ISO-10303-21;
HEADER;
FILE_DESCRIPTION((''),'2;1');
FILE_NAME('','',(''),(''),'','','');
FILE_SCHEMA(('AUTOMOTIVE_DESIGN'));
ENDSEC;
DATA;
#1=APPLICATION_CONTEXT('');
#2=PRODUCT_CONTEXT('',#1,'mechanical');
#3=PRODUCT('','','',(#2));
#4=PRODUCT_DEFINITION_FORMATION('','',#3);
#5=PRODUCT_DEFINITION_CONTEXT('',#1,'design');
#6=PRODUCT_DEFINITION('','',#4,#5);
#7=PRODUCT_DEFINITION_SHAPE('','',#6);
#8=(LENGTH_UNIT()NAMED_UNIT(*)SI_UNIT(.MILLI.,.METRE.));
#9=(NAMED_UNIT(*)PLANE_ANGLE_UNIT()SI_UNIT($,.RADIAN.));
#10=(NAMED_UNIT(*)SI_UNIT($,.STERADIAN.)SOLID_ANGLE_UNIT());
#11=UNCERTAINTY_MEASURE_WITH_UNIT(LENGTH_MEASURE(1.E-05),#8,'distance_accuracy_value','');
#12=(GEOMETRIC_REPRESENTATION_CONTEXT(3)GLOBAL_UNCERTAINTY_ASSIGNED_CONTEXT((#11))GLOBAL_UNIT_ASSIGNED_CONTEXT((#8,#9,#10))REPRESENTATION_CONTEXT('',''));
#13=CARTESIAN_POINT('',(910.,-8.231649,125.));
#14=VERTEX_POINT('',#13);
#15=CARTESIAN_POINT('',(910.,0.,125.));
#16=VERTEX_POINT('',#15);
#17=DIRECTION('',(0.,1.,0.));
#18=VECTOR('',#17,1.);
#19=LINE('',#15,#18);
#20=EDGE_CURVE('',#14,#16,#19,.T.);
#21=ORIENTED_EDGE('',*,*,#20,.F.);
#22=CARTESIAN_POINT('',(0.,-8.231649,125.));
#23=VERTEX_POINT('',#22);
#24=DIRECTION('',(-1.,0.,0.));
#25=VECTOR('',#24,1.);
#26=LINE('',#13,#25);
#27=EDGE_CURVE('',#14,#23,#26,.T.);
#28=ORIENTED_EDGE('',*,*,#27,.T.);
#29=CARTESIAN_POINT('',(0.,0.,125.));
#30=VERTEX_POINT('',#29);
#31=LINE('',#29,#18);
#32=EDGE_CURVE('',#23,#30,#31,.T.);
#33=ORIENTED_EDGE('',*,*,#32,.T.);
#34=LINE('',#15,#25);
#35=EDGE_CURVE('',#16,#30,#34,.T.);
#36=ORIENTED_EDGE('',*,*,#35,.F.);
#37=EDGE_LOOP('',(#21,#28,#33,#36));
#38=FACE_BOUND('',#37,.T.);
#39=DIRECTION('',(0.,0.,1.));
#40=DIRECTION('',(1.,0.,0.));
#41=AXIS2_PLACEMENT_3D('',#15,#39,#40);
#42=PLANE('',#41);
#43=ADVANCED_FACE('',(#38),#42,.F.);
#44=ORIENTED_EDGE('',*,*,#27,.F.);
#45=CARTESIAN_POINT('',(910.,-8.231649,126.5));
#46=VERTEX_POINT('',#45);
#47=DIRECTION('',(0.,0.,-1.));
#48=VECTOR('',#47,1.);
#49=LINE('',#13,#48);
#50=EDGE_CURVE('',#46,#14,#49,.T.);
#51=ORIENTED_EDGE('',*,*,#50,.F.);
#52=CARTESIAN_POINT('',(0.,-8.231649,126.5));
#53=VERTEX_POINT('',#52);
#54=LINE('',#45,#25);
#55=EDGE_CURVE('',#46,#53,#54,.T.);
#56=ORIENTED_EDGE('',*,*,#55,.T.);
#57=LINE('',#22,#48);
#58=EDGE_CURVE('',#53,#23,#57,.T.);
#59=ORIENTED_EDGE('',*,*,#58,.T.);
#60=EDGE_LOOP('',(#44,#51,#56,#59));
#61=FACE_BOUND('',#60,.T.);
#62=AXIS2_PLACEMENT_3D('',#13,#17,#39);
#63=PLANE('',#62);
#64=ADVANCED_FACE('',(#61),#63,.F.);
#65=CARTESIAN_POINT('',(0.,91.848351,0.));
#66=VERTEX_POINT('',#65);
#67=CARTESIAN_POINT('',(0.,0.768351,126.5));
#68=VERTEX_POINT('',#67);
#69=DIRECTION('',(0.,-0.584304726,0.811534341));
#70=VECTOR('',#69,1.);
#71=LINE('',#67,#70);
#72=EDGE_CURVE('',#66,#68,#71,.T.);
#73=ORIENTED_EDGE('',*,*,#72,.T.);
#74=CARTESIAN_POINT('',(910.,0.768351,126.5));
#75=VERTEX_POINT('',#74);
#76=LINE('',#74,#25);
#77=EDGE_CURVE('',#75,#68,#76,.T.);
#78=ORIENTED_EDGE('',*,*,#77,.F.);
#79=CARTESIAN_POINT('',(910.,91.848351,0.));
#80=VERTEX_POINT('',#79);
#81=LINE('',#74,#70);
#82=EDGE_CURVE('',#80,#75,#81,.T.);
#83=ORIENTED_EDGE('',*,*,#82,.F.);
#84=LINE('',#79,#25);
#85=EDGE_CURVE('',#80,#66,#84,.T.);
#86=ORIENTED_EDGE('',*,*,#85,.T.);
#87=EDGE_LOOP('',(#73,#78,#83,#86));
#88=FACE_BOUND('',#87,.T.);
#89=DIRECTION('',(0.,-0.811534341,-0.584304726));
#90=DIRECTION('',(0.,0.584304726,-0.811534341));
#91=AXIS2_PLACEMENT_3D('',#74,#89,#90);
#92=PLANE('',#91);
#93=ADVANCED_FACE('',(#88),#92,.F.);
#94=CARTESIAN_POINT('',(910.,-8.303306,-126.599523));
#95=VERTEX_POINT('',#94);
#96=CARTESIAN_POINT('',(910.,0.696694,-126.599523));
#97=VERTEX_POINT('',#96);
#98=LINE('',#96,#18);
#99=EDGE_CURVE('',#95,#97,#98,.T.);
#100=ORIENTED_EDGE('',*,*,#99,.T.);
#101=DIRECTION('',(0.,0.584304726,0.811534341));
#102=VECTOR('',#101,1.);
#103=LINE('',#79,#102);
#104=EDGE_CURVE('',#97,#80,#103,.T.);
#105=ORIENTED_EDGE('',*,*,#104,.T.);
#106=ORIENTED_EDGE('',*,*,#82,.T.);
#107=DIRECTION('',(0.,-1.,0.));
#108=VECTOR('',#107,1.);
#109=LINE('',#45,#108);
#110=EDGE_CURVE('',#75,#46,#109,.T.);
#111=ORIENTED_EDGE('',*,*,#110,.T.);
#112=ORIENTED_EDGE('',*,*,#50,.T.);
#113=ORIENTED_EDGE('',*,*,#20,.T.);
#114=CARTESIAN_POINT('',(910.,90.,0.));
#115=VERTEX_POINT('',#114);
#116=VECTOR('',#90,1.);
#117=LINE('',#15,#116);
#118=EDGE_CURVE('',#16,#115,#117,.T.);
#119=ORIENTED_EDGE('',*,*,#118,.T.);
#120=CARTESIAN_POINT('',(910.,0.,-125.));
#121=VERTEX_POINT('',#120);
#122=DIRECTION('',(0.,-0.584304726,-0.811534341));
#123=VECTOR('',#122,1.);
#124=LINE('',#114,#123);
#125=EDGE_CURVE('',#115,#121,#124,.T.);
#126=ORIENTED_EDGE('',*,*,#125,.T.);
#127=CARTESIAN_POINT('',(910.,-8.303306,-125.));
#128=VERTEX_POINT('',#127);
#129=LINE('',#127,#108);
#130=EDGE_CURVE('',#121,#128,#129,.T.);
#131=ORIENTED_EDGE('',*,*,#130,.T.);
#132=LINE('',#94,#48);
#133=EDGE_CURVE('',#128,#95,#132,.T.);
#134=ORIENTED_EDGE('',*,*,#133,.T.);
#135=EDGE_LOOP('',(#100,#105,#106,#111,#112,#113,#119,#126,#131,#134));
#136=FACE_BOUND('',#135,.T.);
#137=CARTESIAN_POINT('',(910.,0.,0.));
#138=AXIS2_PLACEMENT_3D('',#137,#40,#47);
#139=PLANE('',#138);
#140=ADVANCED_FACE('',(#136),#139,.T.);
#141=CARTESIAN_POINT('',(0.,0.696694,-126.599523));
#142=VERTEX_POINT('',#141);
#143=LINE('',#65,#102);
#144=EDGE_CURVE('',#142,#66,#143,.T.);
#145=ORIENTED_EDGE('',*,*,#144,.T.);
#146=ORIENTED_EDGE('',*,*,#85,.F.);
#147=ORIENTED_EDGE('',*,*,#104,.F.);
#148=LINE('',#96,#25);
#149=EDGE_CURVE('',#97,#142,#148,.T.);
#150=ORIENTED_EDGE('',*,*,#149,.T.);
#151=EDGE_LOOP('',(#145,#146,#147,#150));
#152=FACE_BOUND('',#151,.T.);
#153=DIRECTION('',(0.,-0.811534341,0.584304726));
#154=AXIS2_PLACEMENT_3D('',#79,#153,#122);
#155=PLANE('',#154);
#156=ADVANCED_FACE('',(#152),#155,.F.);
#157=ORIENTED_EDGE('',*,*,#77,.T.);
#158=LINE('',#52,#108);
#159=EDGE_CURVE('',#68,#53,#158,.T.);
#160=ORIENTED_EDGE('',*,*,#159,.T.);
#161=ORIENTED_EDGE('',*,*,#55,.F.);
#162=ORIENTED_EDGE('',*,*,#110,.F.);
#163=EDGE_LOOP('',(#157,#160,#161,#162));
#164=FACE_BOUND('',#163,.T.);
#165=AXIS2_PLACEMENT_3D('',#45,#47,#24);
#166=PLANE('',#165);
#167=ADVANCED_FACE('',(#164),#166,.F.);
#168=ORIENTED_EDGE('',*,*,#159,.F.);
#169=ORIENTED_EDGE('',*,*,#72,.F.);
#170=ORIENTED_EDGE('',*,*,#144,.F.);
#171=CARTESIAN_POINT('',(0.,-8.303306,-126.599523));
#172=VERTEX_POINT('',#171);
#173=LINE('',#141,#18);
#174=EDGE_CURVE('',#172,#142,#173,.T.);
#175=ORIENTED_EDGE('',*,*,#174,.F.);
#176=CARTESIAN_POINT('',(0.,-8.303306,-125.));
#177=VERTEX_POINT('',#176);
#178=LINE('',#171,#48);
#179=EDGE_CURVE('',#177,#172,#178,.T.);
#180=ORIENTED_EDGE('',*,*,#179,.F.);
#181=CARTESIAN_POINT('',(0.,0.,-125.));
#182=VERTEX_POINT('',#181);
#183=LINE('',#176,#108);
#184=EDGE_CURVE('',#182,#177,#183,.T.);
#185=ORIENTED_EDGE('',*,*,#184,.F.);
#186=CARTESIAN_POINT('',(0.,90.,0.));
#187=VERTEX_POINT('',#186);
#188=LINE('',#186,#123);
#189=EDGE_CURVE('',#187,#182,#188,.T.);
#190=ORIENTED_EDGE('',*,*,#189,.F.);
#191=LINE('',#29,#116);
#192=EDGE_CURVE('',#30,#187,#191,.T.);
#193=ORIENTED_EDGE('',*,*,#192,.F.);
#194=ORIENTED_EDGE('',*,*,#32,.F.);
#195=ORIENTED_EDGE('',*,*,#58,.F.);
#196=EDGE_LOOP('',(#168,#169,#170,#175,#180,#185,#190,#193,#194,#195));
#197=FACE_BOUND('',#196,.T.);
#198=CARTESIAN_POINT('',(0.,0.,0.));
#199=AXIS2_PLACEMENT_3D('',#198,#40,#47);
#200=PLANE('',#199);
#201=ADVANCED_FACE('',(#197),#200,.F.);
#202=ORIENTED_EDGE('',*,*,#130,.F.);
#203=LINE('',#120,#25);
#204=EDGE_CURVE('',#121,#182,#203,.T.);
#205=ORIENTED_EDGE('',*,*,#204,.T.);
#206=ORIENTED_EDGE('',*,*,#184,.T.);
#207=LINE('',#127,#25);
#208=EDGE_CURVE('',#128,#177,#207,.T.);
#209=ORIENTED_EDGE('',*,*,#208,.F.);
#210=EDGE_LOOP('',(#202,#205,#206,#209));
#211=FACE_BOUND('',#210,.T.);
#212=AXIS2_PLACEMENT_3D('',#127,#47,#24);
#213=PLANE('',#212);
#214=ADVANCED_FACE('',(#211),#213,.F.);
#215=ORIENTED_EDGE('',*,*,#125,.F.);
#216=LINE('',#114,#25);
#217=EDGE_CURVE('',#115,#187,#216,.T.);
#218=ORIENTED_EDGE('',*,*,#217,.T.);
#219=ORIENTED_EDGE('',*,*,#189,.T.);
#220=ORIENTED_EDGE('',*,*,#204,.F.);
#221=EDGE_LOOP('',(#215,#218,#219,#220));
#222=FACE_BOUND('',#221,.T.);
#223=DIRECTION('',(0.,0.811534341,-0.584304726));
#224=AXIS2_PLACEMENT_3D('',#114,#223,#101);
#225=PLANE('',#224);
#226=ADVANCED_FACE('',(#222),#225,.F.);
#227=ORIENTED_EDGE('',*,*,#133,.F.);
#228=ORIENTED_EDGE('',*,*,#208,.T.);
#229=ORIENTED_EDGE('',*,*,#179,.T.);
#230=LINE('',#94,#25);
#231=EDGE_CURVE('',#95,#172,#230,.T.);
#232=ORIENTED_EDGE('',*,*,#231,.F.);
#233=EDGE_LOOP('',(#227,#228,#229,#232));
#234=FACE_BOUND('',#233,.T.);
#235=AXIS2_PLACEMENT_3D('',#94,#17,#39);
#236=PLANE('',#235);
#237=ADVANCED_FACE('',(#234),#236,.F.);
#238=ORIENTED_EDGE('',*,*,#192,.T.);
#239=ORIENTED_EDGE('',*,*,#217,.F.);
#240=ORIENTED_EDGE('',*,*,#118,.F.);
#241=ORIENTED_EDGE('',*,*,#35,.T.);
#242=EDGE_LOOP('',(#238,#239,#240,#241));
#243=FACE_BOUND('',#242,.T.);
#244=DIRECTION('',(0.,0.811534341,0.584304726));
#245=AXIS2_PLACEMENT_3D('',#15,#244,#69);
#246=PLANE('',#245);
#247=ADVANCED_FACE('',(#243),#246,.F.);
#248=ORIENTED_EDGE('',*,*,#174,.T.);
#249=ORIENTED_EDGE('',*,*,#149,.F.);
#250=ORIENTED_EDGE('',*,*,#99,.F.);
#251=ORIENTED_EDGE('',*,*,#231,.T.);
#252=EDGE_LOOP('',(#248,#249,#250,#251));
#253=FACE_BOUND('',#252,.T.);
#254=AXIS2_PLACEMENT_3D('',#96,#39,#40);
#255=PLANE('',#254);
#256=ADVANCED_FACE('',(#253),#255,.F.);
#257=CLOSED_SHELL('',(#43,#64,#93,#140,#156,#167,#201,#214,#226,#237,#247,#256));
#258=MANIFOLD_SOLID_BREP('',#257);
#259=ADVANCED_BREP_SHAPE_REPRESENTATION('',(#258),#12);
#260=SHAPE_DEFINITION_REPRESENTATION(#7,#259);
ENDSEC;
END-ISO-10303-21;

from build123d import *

# Parameters (mm, degrees)
BOSS_EXTRUDE1_DEPTH = 910


with BuildPart() as part:
    # Sketch1 → Boss-Extrude1 (new body)
    with BuildSketch(Plane(origin=(0, 0, 0), x_dir=(0, 0, -1), z_dir=(1, 0, 0))):
        Polygon((-125, 0), (0, 90), (125, 0), (125, -8.303306049), (126.599523146, -8.303306049), (126.599523146, 0.696693951), (0, 91.848350616), (-126.5, 0.768350616), (-126.5, -8.231649384), (-125, -8.231649384), align=None)
    extrude(amount=BOSS_EXTRUDE1_DEPTH)


solid = part.part
